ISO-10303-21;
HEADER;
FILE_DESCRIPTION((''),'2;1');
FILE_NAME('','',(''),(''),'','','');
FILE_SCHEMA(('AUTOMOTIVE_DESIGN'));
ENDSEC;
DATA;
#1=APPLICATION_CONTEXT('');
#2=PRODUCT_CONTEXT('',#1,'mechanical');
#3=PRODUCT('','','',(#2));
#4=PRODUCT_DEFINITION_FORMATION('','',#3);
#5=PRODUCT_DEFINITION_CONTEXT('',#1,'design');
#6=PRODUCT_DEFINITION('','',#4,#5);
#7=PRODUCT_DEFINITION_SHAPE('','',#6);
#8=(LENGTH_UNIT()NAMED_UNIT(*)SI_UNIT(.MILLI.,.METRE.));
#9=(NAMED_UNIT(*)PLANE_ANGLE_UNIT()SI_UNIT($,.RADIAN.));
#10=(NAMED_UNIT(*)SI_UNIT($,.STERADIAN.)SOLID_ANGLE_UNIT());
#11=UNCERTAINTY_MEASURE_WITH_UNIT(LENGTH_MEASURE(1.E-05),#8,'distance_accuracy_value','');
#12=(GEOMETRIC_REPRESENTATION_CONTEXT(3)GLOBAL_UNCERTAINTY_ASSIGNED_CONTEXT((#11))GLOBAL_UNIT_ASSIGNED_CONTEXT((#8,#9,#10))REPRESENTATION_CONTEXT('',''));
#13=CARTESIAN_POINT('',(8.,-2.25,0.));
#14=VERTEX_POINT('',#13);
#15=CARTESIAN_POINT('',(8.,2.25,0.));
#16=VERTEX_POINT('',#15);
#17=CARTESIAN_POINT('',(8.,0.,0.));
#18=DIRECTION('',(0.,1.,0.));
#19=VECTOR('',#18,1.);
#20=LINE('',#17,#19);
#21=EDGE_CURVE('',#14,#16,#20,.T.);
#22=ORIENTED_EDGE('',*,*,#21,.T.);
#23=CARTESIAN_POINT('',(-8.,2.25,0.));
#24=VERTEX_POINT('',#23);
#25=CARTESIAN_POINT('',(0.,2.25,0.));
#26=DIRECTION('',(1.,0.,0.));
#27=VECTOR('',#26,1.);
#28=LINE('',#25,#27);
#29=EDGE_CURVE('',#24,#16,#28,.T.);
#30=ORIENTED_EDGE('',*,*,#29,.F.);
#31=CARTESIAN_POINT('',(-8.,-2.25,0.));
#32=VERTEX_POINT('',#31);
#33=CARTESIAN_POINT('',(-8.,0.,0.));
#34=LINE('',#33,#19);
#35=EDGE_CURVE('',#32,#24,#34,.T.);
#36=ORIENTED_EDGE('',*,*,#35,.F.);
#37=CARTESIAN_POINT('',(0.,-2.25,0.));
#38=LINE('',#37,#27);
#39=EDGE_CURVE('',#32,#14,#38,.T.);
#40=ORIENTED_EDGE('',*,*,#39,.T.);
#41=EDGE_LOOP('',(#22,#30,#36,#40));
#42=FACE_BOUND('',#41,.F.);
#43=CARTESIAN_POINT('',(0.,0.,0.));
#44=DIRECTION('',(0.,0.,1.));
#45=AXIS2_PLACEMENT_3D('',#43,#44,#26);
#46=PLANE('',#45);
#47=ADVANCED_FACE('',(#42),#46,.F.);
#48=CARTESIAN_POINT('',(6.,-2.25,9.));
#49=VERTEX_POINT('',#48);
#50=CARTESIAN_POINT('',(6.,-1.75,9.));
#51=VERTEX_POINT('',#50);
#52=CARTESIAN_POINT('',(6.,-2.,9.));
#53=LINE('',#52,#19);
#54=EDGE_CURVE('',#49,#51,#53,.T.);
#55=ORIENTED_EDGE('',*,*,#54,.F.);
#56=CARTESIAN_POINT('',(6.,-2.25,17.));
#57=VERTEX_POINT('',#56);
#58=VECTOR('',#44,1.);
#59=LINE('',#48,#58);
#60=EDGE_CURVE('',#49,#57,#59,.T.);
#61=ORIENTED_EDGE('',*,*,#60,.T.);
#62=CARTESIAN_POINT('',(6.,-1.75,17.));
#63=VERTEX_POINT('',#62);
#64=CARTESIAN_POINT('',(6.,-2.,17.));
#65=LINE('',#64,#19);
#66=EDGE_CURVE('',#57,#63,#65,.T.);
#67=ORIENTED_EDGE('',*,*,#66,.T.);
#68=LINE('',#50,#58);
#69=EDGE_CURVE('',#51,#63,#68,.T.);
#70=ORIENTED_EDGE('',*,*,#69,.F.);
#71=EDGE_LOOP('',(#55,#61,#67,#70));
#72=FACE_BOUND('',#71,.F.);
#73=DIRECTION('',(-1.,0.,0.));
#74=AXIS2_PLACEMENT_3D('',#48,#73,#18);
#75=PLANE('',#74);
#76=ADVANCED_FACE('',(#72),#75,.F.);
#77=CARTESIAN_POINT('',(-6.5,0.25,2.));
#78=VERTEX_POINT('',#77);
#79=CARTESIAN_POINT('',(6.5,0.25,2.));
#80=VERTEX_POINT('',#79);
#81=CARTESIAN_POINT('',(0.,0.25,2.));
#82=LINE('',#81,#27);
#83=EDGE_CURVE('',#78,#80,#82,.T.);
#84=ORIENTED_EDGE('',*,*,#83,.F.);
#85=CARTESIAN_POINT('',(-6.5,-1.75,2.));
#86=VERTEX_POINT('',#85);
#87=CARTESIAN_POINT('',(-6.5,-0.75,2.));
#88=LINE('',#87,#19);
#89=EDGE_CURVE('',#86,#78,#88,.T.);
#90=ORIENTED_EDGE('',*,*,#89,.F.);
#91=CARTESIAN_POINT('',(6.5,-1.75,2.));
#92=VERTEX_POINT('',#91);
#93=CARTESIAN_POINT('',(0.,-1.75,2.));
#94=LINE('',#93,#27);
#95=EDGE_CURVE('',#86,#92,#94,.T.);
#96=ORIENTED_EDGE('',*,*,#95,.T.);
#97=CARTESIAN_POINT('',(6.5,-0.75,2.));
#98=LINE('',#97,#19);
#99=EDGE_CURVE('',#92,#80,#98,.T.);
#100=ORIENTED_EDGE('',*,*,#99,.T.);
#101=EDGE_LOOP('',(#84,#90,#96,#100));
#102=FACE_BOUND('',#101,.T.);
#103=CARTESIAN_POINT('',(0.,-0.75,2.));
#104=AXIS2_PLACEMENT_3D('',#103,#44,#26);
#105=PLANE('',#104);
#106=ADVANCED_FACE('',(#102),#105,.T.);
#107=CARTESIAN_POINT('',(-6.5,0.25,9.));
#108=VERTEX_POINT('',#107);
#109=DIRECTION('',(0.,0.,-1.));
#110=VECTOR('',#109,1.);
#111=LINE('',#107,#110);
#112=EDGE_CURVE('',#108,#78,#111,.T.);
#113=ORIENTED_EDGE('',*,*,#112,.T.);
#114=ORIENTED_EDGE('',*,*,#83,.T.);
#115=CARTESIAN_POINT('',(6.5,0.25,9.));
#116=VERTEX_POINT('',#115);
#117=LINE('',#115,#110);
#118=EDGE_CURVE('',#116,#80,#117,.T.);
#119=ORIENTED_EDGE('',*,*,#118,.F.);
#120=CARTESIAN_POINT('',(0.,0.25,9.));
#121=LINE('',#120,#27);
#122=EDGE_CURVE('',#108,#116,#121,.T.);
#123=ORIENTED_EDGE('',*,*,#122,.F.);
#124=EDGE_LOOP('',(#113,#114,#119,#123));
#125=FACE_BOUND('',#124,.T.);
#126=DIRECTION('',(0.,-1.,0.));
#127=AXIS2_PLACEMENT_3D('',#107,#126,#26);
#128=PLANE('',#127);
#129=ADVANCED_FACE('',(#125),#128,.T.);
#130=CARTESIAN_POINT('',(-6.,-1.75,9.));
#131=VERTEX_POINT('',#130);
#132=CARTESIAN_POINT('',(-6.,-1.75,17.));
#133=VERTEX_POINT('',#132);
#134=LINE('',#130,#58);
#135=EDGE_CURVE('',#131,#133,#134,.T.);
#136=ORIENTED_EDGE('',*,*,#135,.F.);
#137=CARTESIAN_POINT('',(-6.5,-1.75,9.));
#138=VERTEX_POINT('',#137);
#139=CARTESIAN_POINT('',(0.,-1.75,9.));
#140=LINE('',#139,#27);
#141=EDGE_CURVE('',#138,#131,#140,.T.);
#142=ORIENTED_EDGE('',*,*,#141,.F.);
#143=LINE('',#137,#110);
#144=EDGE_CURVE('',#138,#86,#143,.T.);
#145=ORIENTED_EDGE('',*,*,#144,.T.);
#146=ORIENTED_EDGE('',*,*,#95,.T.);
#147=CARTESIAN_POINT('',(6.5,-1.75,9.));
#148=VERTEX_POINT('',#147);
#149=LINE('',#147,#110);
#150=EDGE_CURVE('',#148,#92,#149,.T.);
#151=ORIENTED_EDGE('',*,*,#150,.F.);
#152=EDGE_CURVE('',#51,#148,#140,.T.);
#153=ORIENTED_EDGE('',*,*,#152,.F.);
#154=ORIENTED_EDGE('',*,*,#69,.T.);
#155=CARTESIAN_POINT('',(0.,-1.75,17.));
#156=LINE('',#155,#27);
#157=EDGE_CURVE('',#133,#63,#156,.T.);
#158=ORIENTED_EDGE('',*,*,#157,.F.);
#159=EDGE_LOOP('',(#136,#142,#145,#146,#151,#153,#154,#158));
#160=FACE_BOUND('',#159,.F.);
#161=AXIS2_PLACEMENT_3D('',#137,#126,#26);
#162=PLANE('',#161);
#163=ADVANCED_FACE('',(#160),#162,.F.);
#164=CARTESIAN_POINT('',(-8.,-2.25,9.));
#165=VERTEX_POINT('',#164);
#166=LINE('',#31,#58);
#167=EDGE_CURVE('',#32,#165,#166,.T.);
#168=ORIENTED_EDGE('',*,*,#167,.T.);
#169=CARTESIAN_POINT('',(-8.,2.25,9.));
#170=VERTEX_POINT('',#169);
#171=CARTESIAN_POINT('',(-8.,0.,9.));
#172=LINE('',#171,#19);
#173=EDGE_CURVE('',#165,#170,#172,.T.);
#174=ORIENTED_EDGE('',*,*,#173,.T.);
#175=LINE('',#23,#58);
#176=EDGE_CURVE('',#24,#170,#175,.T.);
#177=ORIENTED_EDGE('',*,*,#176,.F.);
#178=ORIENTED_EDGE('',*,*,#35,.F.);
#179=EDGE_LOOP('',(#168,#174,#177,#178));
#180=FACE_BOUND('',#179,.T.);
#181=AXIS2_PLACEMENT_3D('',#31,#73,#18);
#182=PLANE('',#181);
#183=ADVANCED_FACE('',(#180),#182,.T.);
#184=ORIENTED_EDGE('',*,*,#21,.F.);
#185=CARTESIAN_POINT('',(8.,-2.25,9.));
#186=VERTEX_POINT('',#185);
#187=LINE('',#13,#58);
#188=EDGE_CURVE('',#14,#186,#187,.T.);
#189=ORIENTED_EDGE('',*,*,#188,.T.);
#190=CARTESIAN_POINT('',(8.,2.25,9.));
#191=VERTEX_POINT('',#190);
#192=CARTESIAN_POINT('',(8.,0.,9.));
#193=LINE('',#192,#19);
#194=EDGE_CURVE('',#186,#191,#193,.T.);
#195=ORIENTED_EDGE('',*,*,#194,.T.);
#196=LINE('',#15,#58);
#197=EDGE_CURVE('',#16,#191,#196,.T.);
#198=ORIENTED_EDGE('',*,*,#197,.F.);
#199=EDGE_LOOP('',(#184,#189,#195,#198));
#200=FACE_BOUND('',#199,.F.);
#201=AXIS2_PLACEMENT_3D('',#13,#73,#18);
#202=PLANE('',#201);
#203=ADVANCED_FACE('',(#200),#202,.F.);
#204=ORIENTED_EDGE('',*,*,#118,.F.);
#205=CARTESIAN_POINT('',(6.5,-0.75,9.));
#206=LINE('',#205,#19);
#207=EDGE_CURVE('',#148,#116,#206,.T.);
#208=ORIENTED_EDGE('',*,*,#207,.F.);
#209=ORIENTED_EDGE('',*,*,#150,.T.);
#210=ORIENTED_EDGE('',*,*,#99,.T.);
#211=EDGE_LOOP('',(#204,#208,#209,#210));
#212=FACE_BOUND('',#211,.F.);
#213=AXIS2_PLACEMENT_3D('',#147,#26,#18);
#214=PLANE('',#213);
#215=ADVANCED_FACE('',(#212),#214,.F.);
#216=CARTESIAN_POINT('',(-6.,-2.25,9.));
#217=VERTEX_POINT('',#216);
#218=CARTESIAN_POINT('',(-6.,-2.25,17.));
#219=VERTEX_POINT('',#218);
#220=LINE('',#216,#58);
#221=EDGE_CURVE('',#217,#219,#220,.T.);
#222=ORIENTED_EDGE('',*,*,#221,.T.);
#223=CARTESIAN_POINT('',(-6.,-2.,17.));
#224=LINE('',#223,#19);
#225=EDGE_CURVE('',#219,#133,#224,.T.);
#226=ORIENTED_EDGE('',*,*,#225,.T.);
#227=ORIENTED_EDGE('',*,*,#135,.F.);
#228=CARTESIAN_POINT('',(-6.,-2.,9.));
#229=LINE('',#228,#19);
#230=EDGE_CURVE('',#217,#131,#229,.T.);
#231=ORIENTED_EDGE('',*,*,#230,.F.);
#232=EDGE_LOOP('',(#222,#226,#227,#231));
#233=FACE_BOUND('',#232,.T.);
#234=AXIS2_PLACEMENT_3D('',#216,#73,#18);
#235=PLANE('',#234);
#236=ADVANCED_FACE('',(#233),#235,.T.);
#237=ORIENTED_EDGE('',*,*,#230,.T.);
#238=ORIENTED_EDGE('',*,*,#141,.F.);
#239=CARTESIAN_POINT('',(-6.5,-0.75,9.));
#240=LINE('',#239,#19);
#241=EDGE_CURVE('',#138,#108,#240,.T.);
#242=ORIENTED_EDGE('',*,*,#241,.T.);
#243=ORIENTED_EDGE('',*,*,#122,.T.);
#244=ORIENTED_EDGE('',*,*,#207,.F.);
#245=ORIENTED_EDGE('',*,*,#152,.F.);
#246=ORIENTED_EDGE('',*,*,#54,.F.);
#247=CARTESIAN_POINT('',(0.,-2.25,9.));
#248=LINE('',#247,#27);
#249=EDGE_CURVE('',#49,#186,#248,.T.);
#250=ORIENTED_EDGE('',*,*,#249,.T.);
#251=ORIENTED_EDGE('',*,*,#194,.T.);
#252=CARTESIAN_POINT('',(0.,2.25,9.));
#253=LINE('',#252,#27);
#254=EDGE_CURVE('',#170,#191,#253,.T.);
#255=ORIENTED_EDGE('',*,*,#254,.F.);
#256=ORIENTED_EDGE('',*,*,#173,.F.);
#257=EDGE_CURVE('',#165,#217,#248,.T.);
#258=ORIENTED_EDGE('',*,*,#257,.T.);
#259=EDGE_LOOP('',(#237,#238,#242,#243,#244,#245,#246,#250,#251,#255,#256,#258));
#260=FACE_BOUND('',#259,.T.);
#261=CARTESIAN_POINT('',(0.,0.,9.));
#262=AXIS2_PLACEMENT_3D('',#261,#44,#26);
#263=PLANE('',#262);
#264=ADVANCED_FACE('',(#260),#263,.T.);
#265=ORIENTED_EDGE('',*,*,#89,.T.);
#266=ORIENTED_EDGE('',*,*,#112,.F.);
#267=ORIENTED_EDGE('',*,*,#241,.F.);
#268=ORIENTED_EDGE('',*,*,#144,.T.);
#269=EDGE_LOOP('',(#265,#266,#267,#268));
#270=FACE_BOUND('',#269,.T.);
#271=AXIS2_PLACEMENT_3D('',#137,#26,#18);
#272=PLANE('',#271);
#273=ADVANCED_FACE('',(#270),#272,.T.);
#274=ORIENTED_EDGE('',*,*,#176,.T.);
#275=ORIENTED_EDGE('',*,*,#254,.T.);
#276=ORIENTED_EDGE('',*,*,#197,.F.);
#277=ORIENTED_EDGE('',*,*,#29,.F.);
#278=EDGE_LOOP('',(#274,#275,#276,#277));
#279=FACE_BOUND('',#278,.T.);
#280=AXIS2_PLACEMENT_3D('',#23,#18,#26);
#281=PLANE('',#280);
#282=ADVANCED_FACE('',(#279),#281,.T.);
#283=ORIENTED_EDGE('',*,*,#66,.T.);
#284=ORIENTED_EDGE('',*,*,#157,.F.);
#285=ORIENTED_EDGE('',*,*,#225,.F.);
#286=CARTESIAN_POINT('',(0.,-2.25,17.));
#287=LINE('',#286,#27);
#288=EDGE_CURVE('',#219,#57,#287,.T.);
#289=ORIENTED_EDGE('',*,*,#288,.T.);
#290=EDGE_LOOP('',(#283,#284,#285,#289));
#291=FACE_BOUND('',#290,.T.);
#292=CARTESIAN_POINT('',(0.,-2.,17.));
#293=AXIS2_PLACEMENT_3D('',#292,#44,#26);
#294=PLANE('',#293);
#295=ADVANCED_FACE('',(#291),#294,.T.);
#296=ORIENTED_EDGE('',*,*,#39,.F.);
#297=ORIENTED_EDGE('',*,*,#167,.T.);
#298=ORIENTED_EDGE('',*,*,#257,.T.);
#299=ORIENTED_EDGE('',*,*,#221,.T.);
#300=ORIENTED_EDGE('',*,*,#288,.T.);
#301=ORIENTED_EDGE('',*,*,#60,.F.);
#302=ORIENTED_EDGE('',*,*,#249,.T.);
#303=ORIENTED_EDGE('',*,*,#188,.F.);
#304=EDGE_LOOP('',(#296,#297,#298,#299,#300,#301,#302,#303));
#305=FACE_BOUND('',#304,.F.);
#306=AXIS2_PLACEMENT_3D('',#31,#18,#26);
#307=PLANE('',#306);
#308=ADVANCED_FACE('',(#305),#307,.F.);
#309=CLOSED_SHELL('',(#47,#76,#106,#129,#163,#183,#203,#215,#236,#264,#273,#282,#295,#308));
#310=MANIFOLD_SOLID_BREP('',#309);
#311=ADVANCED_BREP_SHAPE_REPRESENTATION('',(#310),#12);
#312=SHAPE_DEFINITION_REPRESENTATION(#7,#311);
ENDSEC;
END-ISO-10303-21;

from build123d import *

# Parameters (mm, degrees)
F0_W     = 16
F0_H     = 4.5
F1_DEPTH = 9
F2_W     = 13
F2_H     = 2
F3_DEPTH = 7
F4_W     = 12
F4_H     = 0.5
F5_DEPTH = 8


with BuildPart() as f1:
    # F0 (on Top) → F1 (new body)
    with BuildSketch(Plane.XY):
        Rectangle(F0_W, F0_H)
    extrude(amount=F1_DEPTH)

    # F2 (on face) → F3 (cut)
    with BuildSketch(Plane.XY.offset(9)):
        with Locations((0, -0.75)):
            Rectangle(F2_W, F2_H)
    extrude(amount=-F3_DEPTH, mode=Mode.SUBTRACT)

    # F4 (on face) → F5 (join)
    with BuildSketch(Plane.XY.offset(9)):
        with Locations((0, -2)):
            Rectangle(F4_W, F4_H)
    extrude(amount=F5_DEPTH)


solid = f1.part
